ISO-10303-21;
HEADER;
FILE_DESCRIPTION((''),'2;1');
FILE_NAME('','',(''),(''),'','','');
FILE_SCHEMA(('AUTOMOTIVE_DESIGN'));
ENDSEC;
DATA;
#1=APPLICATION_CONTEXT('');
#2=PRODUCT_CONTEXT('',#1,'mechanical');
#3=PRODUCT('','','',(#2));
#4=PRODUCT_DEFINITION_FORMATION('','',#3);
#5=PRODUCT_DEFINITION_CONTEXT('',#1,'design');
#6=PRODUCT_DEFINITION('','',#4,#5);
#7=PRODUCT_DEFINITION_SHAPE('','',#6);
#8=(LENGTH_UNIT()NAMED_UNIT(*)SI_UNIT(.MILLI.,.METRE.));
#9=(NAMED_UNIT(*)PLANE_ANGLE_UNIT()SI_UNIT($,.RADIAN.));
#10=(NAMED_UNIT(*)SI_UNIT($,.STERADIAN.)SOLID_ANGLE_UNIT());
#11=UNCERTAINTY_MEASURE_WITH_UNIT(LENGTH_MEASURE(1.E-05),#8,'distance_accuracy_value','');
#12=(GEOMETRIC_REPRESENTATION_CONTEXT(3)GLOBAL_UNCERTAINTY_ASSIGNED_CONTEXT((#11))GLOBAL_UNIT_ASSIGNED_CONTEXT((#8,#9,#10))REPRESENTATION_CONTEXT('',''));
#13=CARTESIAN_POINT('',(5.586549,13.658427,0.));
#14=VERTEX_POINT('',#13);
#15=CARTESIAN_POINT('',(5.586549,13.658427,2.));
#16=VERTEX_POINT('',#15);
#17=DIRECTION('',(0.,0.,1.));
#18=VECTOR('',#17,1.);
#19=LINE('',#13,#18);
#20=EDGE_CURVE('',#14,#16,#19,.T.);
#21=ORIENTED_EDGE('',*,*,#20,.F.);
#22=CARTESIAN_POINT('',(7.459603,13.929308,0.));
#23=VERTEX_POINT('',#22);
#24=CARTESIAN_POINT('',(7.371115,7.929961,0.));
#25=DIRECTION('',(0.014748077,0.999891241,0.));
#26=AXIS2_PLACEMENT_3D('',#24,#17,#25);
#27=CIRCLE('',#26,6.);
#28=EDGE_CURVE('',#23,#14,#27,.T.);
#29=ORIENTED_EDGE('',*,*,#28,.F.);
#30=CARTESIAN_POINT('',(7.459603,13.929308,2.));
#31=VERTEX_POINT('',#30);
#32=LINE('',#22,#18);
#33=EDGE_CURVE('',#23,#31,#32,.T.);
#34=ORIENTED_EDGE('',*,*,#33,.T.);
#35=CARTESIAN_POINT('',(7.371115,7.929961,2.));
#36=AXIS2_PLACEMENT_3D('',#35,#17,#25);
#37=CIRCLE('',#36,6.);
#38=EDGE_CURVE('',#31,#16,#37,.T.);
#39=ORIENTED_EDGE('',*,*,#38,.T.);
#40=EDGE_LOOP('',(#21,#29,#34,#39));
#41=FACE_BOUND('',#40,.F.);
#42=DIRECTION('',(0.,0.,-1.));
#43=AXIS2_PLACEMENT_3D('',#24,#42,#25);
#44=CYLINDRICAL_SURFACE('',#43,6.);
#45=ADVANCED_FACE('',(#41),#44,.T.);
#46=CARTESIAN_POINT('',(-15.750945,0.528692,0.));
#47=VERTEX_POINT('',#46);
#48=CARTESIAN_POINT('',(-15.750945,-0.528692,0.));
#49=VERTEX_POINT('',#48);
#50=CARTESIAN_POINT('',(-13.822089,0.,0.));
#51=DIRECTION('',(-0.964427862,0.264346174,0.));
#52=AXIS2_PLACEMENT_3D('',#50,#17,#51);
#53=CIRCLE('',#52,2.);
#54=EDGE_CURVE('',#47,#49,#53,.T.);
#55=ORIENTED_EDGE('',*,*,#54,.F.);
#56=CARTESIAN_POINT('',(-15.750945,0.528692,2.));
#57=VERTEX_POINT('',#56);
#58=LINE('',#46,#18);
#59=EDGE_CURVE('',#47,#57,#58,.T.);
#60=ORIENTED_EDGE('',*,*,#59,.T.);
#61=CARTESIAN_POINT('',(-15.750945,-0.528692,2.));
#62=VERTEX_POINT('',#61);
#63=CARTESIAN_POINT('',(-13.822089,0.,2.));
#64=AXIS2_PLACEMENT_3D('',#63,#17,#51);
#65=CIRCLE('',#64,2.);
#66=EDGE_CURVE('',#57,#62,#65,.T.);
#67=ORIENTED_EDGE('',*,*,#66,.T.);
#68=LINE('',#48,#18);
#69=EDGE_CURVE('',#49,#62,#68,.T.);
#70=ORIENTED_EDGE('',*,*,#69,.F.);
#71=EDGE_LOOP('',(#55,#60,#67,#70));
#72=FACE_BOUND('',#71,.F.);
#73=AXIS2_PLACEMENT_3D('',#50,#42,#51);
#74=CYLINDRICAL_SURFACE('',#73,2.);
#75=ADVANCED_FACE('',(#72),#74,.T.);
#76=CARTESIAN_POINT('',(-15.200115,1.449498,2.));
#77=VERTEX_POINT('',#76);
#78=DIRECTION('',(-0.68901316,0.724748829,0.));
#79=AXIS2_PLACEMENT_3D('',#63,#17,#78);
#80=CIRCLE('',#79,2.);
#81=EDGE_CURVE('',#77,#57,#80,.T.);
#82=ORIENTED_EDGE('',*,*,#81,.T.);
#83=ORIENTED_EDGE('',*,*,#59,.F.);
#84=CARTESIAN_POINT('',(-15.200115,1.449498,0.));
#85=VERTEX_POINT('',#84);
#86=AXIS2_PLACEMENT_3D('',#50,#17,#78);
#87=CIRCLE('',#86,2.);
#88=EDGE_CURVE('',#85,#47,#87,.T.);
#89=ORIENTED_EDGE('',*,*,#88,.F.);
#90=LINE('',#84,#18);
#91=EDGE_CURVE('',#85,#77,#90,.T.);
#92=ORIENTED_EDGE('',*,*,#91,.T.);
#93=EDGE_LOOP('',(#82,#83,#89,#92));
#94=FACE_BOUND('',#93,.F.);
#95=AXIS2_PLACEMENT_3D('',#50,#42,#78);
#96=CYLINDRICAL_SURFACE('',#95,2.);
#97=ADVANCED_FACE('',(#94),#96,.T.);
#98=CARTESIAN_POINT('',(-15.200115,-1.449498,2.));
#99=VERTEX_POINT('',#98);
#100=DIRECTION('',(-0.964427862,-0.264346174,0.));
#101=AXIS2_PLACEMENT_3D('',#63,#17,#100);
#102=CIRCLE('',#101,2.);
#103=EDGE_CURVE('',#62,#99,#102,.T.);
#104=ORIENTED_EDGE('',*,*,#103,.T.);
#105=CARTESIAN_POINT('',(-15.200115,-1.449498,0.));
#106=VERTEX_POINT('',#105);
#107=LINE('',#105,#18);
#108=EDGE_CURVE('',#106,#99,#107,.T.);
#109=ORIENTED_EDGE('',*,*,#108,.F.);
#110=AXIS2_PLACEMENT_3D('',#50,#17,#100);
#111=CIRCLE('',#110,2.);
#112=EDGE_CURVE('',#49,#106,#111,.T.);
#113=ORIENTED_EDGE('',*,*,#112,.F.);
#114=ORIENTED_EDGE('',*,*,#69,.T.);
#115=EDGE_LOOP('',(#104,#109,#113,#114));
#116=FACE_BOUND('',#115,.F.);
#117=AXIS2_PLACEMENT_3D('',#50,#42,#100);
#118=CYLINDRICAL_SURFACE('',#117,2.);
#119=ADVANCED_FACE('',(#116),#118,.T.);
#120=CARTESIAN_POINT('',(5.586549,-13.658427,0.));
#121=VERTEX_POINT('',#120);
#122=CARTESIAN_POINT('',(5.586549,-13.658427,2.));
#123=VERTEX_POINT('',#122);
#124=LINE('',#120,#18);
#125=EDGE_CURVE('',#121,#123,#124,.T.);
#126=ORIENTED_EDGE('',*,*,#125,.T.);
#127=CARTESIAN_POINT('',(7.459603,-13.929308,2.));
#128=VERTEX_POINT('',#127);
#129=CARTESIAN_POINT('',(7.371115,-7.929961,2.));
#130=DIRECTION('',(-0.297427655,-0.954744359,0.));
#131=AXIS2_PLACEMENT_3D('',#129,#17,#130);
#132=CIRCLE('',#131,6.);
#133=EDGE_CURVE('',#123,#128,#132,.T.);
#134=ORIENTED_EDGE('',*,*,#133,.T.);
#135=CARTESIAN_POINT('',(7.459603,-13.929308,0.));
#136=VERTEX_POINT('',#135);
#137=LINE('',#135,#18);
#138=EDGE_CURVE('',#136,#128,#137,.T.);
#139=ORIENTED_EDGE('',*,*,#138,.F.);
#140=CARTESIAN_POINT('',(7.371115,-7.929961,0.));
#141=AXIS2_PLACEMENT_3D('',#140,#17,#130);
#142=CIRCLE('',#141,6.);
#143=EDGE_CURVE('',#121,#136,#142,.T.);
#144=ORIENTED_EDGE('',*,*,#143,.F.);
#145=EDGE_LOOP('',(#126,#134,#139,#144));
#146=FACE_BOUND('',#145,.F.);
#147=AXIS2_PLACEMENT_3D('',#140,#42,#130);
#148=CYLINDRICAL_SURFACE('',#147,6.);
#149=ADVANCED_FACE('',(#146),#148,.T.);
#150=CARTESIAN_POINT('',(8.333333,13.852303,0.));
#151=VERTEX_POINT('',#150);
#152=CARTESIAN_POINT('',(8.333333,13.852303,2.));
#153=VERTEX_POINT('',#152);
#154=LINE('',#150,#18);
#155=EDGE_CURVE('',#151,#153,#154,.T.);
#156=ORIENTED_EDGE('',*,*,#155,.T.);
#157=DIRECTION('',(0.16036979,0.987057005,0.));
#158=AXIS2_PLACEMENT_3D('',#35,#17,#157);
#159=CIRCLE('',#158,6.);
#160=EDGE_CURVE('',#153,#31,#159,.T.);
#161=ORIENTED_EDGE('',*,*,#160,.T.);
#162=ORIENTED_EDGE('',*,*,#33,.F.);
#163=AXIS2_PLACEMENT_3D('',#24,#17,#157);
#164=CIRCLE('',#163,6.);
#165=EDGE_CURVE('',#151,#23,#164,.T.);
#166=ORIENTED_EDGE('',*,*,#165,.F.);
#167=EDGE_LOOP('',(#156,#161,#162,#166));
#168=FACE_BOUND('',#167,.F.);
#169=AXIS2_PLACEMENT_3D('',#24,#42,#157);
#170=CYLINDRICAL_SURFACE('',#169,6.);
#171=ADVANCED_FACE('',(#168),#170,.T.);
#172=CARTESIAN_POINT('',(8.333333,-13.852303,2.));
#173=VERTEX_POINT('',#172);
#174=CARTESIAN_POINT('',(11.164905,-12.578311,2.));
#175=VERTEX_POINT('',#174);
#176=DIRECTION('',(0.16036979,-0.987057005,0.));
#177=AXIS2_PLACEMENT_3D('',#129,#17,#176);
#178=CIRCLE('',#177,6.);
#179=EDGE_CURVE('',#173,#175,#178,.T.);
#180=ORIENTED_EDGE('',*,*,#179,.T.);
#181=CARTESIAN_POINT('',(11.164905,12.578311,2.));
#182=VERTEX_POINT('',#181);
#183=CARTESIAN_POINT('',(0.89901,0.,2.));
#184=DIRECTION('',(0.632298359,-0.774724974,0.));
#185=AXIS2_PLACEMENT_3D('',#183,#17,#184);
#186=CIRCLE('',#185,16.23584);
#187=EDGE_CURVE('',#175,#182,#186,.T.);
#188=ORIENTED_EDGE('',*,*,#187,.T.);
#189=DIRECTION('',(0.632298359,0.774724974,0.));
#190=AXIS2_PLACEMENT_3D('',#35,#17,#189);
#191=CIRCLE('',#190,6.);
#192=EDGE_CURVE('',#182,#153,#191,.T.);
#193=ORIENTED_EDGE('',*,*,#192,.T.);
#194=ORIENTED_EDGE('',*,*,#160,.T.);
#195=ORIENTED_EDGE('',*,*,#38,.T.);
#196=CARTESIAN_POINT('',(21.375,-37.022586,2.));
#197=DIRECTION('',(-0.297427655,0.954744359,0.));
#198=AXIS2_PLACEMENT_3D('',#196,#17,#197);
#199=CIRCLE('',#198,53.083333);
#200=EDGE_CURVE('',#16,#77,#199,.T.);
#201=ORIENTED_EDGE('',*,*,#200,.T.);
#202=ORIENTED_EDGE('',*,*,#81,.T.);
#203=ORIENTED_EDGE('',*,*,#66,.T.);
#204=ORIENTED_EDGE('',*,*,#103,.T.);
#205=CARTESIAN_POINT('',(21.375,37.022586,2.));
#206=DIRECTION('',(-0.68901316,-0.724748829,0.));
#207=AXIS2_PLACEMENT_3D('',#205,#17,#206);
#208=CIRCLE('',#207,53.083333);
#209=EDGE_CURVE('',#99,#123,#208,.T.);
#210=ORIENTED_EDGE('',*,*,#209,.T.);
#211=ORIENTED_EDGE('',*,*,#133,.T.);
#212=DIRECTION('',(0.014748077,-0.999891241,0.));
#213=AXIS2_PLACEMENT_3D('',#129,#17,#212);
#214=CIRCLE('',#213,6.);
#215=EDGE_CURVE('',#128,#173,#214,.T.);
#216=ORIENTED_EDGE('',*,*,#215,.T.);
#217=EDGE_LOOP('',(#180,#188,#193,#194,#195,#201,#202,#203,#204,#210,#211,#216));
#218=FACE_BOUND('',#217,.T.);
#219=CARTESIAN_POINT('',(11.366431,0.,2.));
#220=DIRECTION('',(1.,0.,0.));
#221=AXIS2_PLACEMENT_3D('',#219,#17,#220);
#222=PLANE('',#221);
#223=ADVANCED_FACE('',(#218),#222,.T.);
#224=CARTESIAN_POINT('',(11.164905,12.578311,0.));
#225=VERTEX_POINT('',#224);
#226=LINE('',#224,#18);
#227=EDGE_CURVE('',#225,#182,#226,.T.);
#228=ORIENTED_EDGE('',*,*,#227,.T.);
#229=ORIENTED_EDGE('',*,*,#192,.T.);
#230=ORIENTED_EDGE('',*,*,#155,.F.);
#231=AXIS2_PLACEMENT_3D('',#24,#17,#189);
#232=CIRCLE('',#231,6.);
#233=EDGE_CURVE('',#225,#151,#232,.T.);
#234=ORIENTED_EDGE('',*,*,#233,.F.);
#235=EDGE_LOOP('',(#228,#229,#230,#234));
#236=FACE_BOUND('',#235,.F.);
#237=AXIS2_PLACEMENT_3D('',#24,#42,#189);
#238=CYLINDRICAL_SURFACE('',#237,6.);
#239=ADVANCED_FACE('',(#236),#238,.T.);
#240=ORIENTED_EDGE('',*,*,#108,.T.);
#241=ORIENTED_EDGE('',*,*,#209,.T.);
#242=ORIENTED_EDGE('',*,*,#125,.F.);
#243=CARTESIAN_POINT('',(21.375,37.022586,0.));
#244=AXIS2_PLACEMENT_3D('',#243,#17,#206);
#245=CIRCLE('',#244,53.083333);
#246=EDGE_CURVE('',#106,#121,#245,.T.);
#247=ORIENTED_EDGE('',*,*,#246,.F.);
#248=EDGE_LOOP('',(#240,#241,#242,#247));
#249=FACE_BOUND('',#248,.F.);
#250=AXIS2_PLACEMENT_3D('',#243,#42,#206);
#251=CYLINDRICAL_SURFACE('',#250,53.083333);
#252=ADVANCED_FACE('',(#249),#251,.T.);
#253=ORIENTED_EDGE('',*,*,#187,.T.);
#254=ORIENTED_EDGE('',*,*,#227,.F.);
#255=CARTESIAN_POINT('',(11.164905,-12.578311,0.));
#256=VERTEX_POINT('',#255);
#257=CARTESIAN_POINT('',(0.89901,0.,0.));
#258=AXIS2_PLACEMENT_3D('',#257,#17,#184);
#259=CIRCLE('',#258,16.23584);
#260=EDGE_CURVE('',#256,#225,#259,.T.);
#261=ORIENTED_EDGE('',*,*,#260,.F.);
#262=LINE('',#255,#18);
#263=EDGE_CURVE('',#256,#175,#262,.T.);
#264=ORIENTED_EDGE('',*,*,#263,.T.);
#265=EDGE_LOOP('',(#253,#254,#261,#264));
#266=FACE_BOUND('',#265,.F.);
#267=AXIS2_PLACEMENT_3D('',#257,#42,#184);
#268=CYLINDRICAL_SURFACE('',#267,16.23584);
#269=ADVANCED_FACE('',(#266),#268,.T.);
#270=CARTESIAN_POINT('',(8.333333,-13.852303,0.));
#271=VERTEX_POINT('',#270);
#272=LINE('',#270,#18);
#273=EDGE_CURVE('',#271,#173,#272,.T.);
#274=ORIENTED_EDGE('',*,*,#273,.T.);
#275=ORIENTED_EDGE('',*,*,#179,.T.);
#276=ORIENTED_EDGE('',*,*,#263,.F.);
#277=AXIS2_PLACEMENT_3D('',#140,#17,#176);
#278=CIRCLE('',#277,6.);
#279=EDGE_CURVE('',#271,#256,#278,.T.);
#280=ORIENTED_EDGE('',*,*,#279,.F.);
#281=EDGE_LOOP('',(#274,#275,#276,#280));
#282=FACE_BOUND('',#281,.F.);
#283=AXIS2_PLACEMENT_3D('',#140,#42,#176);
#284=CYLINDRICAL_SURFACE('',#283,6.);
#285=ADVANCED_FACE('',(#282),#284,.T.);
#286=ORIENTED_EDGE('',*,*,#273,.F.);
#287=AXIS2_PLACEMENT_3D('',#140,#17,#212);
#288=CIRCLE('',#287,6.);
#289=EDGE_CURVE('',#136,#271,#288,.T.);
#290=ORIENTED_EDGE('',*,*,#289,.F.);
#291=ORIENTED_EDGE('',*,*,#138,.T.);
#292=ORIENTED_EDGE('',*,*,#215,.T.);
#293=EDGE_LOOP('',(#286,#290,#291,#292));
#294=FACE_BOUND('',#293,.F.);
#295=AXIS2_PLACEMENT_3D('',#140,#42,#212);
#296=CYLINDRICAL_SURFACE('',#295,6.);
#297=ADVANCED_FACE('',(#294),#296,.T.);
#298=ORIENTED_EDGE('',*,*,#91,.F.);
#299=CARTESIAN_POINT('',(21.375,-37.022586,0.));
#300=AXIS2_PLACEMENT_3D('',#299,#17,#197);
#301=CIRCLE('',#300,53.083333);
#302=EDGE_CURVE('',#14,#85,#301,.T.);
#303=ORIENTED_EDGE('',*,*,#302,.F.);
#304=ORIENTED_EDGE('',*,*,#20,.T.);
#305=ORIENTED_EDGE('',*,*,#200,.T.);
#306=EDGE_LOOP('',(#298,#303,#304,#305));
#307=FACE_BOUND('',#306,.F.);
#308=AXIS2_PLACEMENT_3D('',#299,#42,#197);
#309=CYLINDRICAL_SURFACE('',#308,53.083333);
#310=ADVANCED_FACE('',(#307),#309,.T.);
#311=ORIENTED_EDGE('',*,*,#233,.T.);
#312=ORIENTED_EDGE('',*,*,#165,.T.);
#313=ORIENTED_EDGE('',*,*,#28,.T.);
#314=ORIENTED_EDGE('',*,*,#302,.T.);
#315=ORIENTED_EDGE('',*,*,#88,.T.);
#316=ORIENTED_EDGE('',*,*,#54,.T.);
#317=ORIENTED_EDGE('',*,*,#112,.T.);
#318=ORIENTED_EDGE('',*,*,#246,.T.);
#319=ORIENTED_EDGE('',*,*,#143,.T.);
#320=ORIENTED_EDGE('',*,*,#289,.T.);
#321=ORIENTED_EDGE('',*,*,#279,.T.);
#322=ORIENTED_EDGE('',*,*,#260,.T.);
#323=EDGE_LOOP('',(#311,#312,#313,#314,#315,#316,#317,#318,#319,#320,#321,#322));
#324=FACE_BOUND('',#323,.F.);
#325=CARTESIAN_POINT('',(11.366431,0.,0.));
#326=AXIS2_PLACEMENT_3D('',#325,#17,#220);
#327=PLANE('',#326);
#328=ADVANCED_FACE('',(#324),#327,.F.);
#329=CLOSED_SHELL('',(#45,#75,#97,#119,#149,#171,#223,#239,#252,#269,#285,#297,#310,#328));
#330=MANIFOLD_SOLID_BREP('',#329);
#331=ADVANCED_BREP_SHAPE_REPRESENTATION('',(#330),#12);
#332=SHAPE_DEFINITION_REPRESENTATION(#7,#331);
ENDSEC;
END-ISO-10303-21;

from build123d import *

# Parameters (mm, degrees)
F1_DEPTH = 2


with BuildPart() as f1:
    # F0 (on Top) → F1 (new body)
    with BuildSketch(Plane.XY):
        with BuildLine():
            ThreePointArc((11.1649047476, 12.5783107155), (9.8329572309, 13.4016453318), (8.3333333333, 13.8523028998))
            Line((8.3333333333, 13.8523028998), (8.3333333333, -13.8523028998))
            ThreePointArc((8.3333333333, -13.8523028998), (9.8329572309, -13.4016453318), (11.1649047476, -12.5783107155))
            ThreePointArc((11.1649047476, -12.5783107155), (17.1348497569, 0), (11.1649047476, 12.5783107155))
        make_face()
        with BuildLine():
            Line((-15.7509446573, 0.5286923486), (7.4596030559, 13.9293083189))
            ThreePointArc((7.4596030559, 13.9293083189), (6.5123283216, 13.8681833447), (5.5865486661, 13.6584270232))
            ThreePointArc((5.5865486661, 13.6584270232), (-5.509015056, 8.7495672284), (-15.2001152547, 1.4494976579))
            ThreePointArc((-15.2001152547, 1.4494976579), (-15.5384332519, 1.0267240053), (-15.7509446573, 0.5286923486))
        make_face()
        with BuildLine():
            Line((8.3333333333, -13.8523028998), (8.3333333333, 13.8523028998))
            ThreePointArc((8.3333333333, 13.8523028998), (7.8978772202, 13.9067929034), (7.4596030559, 13.9293083189))
            Line((7.4596030559, 13.9293083189), (-15.7509446573, 0.5286923486))
            ThreePointArc((-15.7509446573, 0.5286923486), (-15.8220889342, 0), (-15.7509446573, -0.5286923486))
            Line((-15.7509446573, -0.5286923486), (7.4596030559, -13.9293083189))
            ThreePointArc((7.4596030559, -13.9293083189), (7.8978772202, -13.9067929034), (8.3333333333, -13.8523028998))
        make_face()
        with BuildLine():
            ThreePointArc((5.5865486661, -13.6584270232), (6.5123283216, -13.8681833447), (7.4596030559, -13.9293083189))
            Line((7.4596030559, -13.9293083189), (-15.7509446573, -0.5286923486))
            ThreePointArc((-15.7509446573, -0.5286923486), (-15.5384332519, -1.0267240053), (-15.2001152547, -1.4494976579))
            ThreePointArc((-15.2001152547, -1.4494976579), (-5.509015056, -8.7495672284), (5.5865486661, -13.6584270232))
        make_face()
    extrude(amount=F1_DEPTH)


solid = f1.part
